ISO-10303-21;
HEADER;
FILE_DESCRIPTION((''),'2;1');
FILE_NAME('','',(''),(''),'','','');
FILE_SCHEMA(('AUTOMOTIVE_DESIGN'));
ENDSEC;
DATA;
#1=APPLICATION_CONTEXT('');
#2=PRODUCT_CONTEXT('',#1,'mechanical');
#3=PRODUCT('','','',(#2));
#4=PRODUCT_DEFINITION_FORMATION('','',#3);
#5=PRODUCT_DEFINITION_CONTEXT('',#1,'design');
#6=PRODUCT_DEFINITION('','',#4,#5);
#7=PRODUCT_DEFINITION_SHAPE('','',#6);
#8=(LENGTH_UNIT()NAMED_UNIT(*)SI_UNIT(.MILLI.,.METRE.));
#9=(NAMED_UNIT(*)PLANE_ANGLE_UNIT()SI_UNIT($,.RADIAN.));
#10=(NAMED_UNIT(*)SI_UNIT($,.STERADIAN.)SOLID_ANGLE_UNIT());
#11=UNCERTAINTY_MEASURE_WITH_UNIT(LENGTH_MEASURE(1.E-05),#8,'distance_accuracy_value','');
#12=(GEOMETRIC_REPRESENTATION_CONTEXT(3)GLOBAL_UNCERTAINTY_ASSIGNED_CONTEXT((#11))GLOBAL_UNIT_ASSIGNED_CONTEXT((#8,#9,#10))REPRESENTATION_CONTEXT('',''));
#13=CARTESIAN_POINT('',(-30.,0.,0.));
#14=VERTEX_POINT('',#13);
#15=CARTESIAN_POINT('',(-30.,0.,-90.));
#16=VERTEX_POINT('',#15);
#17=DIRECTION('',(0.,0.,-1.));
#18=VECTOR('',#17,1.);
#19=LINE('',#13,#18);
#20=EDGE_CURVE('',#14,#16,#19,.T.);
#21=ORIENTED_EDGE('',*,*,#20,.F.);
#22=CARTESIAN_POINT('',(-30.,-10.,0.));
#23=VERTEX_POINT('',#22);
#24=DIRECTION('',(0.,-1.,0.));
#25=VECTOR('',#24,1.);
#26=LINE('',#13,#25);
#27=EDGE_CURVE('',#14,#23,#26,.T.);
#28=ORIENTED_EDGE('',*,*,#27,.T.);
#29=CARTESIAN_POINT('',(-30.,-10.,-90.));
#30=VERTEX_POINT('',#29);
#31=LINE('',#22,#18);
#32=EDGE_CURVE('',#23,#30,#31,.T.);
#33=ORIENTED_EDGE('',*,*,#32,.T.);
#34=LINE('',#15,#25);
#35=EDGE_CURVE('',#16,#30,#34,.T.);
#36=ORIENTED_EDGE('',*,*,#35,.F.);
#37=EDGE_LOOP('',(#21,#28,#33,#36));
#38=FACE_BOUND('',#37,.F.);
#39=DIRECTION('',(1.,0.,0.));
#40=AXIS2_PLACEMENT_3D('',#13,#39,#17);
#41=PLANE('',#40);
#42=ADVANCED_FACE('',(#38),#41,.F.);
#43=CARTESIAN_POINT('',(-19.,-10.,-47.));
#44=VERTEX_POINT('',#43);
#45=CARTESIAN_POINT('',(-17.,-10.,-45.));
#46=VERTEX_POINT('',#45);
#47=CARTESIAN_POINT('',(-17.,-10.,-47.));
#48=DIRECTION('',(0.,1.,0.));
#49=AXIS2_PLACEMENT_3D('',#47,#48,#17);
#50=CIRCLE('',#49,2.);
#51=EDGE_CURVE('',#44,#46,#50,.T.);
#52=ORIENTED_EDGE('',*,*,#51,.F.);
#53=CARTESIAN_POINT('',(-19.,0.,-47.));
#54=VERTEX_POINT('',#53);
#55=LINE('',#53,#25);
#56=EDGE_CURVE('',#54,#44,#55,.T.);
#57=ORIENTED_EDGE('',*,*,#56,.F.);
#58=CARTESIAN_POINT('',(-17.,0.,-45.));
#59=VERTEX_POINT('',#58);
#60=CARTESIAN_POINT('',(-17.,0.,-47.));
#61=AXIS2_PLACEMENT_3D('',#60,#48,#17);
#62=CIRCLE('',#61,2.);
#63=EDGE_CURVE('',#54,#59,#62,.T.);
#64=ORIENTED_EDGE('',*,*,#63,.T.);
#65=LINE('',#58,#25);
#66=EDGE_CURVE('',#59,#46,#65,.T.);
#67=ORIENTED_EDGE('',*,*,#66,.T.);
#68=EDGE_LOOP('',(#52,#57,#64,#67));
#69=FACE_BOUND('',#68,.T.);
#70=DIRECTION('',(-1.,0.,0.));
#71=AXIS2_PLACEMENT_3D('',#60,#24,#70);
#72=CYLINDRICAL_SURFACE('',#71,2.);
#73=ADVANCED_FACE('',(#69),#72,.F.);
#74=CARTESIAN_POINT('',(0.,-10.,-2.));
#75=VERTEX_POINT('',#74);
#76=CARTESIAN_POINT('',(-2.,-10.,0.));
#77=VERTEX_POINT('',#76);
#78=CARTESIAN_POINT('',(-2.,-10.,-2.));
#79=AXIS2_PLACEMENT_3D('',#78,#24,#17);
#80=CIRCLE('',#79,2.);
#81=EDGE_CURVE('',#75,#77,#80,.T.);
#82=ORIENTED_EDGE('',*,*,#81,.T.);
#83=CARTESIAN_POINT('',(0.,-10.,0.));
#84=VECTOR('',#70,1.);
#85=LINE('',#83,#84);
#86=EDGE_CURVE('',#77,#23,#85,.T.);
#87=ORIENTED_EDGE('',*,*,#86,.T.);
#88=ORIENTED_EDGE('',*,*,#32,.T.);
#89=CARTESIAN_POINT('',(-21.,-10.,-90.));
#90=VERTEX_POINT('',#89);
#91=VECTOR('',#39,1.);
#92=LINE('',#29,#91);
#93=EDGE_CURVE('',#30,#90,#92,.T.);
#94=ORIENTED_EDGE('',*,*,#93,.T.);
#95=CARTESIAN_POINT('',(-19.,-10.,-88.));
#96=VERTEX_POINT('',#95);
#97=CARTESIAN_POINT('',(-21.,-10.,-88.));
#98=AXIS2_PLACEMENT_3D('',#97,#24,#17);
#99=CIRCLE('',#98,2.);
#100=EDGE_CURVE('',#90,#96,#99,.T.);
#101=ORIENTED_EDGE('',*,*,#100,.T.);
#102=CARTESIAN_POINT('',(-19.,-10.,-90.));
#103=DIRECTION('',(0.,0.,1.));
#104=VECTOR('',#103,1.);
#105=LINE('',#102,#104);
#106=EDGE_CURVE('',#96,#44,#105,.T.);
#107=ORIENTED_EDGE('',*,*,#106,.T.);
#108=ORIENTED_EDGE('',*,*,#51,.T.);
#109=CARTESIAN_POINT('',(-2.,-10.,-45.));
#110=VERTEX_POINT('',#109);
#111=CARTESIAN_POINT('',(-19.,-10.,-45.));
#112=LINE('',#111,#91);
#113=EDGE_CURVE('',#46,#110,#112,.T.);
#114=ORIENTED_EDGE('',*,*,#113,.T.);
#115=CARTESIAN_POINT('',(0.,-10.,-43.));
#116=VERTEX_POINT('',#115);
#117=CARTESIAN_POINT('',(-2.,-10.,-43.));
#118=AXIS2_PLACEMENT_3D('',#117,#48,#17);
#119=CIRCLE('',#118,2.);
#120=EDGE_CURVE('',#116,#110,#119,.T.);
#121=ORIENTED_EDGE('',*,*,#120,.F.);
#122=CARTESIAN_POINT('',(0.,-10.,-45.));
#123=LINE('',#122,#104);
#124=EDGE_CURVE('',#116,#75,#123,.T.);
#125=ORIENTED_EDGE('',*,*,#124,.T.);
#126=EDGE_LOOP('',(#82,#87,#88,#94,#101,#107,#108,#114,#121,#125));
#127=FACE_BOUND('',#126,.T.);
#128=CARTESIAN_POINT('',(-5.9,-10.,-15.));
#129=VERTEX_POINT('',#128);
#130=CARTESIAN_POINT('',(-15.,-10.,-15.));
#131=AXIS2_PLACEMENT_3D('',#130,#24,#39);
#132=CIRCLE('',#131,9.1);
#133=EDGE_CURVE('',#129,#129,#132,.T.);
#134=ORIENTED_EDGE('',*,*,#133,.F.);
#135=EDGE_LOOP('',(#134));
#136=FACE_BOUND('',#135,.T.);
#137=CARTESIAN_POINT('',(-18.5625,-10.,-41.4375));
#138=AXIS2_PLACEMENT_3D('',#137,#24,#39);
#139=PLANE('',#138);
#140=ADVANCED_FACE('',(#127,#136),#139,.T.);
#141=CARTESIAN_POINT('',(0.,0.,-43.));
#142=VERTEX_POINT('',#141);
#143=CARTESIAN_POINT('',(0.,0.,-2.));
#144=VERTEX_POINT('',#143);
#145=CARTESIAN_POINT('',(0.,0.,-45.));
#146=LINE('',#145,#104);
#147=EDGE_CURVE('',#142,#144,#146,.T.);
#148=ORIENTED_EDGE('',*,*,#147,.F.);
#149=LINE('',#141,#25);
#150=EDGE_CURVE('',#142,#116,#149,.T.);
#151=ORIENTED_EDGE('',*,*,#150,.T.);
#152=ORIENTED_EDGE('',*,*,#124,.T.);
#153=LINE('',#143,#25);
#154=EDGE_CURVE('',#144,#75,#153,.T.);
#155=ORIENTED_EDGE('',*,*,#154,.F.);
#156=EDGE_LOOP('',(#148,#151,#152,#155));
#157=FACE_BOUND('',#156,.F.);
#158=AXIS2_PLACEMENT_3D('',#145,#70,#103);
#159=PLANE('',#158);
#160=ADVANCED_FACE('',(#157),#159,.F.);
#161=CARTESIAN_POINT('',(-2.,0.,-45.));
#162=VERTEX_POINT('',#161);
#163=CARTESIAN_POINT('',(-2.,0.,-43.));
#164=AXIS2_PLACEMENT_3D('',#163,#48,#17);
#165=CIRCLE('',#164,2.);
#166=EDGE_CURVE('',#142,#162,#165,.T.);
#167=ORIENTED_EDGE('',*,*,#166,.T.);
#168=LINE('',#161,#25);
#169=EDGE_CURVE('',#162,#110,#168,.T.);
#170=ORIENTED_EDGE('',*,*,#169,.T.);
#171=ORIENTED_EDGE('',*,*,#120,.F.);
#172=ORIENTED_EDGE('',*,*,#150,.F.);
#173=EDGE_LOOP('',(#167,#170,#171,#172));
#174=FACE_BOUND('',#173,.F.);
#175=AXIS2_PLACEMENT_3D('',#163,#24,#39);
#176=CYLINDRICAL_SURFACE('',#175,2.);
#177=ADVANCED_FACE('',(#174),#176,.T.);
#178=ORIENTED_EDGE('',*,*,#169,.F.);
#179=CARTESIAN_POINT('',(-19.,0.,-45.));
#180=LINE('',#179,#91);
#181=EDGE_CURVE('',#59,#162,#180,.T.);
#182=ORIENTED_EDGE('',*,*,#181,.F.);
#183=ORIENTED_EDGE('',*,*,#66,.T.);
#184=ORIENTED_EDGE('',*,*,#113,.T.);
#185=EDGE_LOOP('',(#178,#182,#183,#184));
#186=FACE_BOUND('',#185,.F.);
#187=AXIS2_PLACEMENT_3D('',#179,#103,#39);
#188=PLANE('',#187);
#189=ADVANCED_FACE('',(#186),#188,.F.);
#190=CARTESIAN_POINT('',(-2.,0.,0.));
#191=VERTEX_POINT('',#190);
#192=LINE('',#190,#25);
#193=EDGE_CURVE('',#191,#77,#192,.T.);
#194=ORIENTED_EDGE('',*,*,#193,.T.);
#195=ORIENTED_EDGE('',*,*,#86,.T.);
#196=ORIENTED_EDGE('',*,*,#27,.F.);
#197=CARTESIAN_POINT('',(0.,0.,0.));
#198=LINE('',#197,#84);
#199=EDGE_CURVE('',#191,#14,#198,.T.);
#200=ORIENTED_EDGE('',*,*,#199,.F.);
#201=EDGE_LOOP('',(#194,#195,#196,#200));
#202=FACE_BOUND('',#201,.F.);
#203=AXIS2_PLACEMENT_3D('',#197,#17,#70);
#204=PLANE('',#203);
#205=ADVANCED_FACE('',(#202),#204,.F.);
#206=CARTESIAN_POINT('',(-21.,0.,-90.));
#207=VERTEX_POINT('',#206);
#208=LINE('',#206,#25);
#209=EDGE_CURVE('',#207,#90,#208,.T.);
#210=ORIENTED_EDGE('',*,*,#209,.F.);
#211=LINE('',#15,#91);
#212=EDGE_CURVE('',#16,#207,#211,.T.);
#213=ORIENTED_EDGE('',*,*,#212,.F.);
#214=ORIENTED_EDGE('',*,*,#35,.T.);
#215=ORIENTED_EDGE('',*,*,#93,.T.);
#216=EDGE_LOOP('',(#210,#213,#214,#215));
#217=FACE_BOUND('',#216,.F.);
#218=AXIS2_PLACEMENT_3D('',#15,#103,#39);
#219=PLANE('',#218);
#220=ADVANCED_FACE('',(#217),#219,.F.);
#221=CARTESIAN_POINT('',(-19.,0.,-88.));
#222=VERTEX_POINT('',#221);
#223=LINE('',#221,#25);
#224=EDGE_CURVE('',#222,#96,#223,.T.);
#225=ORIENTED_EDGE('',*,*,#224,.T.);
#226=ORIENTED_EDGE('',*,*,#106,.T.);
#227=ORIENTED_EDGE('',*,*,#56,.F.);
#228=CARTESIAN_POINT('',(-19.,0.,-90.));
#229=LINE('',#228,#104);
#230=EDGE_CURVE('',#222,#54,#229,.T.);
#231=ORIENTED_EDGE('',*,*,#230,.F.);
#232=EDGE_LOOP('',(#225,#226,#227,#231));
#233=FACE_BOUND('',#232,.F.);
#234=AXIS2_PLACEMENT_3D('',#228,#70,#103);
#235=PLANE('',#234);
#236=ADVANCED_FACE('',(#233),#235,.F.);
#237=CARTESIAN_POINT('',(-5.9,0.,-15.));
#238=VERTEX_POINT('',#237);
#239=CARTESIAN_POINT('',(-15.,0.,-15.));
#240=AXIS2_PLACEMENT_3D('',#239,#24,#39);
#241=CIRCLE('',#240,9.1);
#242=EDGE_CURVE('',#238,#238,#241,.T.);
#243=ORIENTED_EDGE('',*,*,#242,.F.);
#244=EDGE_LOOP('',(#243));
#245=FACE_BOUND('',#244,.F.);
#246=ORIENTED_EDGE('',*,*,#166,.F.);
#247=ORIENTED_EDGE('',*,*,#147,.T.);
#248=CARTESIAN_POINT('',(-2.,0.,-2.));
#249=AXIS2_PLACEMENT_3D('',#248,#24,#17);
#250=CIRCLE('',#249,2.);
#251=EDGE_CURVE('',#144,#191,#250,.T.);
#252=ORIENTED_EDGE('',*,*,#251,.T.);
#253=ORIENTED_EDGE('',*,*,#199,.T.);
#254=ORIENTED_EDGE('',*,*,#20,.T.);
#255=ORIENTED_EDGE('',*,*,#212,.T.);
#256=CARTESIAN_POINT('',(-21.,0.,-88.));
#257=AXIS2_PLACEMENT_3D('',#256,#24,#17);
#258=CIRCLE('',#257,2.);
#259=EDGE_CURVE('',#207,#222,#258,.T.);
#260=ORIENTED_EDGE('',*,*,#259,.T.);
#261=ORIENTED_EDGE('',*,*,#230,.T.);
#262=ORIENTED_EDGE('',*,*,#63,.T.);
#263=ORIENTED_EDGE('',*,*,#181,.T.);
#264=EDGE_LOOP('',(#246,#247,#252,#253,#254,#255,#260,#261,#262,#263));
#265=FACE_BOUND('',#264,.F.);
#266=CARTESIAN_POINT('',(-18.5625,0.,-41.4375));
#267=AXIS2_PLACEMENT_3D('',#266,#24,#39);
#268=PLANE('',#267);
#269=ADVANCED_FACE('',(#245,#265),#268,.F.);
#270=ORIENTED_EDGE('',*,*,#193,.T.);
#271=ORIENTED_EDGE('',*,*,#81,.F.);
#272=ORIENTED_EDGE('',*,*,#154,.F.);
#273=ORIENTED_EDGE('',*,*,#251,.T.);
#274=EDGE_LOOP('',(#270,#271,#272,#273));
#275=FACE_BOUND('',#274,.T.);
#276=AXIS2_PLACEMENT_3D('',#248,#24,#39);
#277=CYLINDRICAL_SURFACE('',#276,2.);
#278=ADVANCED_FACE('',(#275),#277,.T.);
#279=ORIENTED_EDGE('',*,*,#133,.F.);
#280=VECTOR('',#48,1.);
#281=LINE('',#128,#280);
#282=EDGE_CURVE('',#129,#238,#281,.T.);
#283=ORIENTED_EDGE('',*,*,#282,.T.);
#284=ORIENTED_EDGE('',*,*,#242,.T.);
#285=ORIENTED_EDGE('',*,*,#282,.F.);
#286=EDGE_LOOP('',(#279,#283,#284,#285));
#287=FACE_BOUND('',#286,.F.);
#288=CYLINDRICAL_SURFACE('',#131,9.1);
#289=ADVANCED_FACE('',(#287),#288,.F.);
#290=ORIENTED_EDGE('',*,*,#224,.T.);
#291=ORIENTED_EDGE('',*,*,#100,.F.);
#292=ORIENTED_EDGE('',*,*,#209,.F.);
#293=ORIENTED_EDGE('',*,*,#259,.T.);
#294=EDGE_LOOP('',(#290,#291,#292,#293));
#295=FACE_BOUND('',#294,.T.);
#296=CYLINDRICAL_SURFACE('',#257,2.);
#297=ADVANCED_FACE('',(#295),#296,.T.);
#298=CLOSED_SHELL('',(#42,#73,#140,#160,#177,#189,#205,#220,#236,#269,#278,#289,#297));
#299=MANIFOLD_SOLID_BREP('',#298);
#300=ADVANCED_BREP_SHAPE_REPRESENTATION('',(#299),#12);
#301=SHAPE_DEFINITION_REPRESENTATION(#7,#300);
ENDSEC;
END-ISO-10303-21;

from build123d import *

# Parameters (mm, degrees)
F1_DEPTH = 10
F2_R     = 2
F3_R     = 9.1
F4_DEPTH = 25


with BuildPart() as f1:
    # F0 (on Front) → F1 (new body)
    with BuildSketch(Plane.XZ):
        Polygon((0, -45), (0, 0), (-30, 0), (-30, -90), (-19, -90), (-19, -45), align=None)
    extrude(amount=F1_DEPTH)

    # F2
    f2_edges = [f1.edges().sort_by_distance(p)[0] for p in [
        (-19, -5, -90),
        (0, -5, -45),
        (-19, -5, -45),
        (0, -5, 0),
    ]]
    fillet(f2_edges, radius=F2_R)

    # F3 (on face) → F4 (cut)
    with BuildSketch(Plane.XZ.offset(10)):
        with Locations((-15, -15)):
            Circle(F3_R)
    extrude(amount=-F4_DEPTH, mode=Mode.SUBTRACT)


solid = f1.part
